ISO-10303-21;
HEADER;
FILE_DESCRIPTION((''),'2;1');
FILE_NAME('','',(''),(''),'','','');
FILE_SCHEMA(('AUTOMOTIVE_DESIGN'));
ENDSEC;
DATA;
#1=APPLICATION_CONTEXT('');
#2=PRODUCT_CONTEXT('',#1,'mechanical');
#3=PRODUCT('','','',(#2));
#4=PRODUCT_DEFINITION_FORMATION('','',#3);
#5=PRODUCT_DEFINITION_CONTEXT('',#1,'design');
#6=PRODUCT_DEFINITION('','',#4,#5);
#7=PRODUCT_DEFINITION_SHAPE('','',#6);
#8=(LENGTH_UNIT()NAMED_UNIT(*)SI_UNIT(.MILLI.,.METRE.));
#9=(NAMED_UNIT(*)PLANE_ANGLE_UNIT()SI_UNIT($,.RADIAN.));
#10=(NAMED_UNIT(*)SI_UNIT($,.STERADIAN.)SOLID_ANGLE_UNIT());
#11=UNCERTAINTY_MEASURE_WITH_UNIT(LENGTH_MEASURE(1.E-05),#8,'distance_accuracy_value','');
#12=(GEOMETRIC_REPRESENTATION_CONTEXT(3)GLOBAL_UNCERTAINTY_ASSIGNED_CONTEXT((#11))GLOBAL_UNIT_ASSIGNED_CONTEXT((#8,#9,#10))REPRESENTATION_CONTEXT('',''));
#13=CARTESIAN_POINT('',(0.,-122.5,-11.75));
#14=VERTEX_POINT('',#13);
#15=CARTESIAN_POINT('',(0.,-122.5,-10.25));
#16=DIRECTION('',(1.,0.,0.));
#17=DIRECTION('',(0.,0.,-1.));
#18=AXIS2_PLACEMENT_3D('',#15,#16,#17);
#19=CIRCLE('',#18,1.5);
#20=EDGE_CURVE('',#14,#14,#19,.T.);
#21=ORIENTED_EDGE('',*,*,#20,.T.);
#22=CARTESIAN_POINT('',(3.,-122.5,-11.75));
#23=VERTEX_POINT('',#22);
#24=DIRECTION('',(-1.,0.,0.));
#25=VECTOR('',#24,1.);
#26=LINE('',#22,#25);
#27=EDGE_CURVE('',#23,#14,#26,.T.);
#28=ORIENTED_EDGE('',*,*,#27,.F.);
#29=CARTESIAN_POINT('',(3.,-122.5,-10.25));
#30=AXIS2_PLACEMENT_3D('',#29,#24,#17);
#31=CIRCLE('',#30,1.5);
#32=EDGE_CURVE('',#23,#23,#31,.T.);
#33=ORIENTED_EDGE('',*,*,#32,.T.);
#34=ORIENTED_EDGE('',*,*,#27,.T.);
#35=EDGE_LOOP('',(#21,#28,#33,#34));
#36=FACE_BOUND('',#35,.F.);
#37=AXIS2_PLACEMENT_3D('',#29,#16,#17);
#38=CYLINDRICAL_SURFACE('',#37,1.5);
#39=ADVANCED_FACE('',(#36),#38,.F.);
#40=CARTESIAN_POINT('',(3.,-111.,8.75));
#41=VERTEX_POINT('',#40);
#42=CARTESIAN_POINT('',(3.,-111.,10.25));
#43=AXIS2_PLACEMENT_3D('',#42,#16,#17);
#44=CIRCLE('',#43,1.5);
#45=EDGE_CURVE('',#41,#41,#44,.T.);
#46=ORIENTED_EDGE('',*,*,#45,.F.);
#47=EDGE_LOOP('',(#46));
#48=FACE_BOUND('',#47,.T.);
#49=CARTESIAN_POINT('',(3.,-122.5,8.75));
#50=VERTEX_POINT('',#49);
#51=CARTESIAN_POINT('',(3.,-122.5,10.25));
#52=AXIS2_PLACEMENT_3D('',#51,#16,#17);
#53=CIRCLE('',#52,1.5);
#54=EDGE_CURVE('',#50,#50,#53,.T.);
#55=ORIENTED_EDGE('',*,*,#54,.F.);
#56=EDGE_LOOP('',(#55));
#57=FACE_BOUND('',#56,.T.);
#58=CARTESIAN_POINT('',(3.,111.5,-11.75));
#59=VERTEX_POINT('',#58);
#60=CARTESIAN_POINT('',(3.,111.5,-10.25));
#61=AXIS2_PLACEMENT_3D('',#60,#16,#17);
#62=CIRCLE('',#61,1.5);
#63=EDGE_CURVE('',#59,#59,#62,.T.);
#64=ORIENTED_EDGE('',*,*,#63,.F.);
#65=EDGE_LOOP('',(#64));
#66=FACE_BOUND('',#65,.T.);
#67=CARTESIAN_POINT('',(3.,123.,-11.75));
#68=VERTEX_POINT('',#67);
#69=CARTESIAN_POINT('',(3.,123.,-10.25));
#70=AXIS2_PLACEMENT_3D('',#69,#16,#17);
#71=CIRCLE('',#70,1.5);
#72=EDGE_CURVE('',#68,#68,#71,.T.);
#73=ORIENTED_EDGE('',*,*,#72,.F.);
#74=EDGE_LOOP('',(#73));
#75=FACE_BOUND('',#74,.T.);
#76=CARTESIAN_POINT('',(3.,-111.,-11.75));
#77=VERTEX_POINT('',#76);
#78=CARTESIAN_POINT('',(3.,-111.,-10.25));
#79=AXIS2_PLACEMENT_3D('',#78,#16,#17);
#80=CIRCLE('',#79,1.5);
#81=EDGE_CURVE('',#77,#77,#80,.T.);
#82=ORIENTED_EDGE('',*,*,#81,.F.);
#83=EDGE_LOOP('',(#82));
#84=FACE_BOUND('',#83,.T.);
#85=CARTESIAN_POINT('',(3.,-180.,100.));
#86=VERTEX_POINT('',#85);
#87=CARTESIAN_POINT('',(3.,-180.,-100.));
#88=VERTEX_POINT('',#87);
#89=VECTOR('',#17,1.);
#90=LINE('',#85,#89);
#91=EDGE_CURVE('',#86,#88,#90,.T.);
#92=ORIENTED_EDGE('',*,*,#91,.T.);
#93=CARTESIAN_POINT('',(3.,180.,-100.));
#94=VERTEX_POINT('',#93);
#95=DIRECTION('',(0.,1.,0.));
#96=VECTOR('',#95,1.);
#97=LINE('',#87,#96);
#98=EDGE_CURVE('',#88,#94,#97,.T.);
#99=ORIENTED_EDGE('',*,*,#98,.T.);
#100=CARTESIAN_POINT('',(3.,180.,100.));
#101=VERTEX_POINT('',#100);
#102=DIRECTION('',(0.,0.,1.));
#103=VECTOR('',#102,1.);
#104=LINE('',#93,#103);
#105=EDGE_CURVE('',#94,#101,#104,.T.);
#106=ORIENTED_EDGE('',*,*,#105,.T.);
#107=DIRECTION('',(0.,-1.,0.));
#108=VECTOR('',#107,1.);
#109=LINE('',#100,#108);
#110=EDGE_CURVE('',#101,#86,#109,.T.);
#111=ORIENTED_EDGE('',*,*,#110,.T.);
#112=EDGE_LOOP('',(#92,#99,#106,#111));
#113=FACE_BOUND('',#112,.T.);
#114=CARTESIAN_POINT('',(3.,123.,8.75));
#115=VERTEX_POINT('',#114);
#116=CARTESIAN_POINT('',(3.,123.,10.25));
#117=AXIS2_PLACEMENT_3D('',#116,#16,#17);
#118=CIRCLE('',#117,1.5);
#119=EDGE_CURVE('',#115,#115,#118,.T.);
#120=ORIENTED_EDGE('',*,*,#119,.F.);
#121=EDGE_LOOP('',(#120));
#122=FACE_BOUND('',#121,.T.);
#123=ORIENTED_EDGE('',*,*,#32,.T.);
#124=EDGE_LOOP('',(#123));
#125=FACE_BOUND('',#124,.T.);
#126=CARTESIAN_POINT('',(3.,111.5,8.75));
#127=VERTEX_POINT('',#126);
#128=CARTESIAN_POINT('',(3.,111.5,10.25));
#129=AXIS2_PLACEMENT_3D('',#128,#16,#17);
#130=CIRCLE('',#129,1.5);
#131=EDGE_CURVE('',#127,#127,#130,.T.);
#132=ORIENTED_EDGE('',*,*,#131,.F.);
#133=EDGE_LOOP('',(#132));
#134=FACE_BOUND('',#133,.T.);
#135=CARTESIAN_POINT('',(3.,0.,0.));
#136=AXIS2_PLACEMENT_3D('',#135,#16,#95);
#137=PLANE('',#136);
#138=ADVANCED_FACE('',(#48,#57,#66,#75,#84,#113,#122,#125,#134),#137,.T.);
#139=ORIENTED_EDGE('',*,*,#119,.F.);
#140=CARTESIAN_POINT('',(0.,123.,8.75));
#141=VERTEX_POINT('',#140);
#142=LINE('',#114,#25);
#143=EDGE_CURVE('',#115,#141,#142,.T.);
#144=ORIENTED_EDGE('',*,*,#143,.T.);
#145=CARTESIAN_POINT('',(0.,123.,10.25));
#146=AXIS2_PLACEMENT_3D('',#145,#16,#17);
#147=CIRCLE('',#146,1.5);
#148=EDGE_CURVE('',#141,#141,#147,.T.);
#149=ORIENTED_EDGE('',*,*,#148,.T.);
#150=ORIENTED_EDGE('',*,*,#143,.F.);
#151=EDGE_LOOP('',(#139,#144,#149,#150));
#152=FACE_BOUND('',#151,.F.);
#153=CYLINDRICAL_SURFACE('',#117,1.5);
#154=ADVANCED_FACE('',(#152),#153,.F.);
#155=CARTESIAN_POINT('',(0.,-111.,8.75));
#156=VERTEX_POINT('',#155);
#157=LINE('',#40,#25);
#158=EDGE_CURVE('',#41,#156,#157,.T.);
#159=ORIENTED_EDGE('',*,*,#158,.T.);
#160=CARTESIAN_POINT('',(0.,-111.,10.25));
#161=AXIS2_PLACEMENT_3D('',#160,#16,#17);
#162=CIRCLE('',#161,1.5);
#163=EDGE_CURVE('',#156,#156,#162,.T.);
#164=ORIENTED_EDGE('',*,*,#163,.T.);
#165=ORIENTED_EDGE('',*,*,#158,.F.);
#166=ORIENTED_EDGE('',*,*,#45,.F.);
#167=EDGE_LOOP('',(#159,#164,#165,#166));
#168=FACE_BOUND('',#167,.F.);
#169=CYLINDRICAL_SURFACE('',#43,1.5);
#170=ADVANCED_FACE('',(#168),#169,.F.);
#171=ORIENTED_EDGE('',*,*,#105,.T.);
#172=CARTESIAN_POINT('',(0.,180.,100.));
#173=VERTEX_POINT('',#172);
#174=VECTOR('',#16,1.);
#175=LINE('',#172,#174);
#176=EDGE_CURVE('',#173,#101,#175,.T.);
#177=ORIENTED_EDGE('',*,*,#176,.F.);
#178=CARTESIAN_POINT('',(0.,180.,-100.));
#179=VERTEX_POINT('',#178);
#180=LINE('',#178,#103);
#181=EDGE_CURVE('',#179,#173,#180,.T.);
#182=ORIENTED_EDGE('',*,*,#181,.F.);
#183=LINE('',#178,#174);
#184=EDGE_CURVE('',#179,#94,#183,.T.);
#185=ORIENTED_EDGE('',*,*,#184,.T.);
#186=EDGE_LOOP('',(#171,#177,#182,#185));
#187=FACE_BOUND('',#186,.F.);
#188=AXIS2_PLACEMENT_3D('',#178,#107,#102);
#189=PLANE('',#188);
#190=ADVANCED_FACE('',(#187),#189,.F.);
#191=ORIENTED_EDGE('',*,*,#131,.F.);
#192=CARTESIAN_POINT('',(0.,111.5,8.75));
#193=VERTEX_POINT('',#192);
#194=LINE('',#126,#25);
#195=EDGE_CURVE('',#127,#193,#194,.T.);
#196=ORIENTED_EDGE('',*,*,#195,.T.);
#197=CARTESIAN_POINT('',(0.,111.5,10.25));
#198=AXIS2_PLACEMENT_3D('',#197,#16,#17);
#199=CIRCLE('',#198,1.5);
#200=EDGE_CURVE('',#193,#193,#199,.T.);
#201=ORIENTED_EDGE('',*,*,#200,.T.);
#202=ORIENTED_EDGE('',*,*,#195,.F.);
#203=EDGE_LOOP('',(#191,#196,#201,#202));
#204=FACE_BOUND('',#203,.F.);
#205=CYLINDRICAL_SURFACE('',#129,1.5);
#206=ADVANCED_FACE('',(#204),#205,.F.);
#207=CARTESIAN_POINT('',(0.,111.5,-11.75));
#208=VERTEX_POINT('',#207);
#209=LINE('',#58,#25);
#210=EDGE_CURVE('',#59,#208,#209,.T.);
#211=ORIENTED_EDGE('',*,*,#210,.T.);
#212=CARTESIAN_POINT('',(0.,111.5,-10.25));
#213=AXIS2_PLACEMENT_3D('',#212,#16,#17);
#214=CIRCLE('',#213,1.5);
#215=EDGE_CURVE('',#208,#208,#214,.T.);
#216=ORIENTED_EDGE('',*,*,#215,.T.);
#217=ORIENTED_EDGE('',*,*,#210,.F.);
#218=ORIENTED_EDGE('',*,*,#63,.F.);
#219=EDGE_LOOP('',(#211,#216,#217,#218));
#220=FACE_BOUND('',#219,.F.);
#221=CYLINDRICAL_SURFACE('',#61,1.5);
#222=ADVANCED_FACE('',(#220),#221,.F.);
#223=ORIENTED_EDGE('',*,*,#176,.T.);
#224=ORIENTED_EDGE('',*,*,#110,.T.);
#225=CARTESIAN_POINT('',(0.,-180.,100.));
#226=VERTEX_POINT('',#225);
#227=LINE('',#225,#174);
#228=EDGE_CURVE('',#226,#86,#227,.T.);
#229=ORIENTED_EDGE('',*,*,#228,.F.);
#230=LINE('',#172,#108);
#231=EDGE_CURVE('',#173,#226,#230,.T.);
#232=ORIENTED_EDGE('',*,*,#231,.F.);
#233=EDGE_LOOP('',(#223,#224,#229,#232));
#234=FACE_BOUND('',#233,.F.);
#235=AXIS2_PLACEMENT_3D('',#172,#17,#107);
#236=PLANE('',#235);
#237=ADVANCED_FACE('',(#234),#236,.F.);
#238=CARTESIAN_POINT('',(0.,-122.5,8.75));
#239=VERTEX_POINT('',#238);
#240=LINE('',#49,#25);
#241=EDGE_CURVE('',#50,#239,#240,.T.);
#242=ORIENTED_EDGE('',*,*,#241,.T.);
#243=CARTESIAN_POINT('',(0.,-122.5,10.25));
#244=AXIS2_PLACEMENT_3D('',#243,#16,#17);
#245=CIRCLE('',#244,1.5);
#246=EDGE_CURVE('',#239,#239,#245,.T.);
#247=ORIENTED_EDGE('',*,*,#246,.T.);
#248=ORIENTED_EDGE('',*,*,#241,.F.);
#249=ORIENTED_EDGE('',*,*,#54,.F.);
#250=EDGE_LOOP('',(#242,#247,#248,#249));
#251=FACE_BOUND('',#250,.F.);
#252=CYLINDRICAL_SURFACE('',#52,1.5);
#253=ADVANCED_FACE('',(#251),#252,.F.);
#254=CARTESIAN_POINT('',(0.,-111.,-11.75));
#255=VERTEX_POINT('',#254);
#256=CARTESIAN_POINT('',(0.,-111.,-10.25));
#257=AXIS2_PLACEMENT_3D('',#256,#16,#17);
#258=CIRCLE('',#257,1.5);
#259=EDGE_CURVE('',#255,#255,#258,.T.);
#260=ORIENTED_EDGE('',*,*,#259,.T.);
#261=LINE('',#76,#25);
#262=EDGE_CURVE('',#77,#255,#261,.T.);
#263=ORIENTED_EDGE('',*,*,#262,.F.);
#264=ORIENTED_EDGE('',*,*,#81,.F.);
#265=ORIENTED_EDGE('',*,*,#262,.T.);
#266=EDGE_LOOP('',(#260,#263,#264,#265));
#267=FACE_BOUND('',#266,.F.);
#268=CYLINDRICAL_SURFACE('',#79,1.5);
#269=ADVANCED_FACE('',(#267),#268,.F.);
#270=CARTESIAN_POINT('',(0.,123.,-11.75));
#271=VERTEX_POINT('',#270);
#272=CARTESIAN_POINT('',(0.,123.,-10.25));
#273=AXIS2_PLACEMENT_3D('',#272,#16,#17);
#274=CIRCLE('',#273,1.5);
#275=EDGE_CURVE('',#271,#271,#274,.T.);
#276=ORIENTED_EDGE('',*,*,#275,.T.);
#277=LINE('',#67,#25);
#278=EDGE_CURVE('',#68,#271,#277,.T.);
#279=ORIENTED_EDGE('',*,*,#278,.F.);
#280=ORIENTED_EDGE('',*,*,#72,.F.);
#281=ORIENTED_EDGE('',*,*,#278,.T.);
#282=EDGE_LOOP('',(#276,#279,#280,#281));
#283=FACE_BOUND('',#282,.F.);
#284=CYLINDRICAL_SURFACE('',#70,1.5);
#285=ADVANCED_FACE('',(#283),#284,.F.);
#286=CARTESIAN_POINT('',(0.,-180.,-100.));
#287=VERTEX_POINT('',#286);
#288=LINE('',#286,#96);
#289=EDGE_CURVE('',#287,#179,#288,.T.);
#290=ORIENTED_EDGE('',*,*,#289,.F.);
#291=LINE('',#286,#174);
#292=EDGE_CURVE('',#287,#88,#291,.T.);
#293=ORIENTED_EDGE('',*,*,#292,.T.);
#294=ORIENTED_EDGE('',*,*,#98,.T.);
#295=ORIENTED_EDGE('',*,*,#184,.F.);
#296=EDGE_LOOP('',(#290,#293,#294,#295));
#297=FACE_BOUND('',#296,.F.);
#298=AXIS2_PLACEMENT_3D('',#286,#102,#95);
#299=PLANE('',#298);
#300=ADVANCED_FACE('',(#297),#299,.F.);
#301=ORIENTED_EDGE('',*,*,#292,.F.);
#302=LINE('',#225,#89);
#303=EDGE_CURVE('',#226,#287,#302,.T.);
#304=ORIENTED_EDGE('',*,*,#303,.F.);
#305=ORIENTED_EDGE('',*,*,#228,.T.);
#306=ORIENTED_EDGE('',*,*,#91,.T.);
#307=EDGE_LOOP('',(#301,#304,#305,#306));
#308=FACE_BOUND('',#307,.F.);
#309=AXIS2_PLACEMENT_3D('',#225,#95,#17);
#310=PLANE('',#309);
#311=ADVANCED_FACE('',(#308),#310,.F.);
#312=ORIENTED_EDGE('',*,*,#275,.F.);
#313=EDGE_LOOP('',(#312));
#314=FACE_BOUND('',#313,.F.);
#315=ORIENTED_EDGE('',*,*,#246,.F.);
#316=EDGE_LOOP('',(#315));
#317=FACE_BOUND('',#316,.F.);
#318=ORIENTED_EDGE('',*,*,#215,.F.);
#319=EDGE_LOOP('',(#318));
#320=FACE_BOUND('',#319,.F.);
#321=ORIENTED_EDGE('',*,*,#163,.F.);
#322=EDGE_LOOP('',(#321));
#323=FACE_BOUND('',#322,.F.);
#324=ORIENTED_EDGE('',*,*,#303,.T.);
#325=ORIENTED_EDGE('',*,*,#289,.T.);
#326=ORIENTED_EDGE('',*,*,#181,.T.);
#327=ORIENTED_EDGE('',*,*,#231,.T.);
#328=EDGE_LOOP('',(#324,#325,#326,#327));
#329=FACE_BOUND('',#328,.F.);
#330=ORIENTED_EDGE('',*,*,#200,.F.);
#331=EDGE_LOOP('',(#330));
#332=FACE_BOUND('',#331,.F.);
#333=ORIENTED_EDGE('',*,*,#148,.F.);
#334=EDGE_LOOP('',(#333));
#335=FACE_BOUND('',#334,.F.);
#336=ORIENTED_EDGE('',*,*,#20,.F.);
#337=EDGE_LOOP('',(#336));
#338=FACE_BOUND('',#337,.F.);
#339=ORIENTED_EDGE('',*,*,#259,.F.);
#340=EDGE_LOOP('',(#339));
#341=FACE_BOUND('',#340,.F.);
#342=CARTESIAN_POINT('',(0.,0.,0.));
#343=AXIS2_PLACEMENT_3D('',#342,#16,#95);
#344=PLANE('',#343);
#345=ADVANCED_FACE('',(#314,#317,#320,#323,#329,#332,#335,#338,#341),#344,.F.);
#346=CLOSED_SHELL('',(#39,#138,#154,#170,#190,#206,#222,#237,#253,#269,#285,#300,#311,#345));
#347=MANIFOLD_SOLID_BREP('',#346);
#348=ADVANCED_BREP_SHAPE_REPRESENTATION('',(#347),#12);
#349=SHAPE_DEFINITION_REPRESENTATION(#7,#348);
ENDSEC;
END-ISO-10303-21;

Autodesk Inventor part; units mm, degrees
ref_plane "YZ Plane" through (0, 0, 0) normal (1, 0, 0) x (0, 1, 0)
ref_plane "XZ Plane" through (0, 0, 0) normal (0, 1, 0) x (-1, 0, 0)
ref_plane "XY Plane" through (0, 0, 0) normal (0, 0, 1) x (1, 0, 0)
sketch "Sketch1" plane through (0, 0, 0) normal (1, 0, 0) x (0, 1, 0)
  line L0 (180, 100) -> (-180, 100)
  line L1 (-180, 100) -> (-180, -100)
  line L2 (-180, -100) -> (180, -100)
  line L3 (180, -100) -> (180, 100)
  line L4 (180, 100) -> (-180, -100) construction
  line L5 (-180, 100) -> (180, -100) construction
  point P0 (0, 0)
  dimension "d0" = 360
  dimension "d1" = 200
extrude "Extrusion1" add sketch "Sketch1" along normal blind 3
sketch "Sketch3" plane through (3, 0, 0) normal (1, 0, 0) x (0, 0, -1)
  circle A0 centre (-10.25, 123) radius 1.5
  circle A1 centre (-10.25, 111.5) radius 1.5
  circle A2 centre (10.25, 123) radius 1.5
  circle A3 centre (10.25, 111.5) radius 1.5
  line L0 (100, 180) -> (-100, 180) projected
  line L1 (100, -180) -> (100, 180) projected
  circle A4 centre (-10.25, -122.5) radius 1.5
  circle A5 centre (-10.25, -111) radius 1.5
  circle A6 centre (10.25, -122.5) radius 1.5
  circle A7 centre (10.25, -111) radius 1.5
  line L2 (-10.25, -122.5) -> (10.25, -122.5)
  line L3 (0, -122.5) -> (0, -180)
  line L4 (-100, -180) -> (100, -180) projected
  dimension "d11" = 3
  dimension "d12" = 3
  dimension "d13" = 3
  dimension "d14" = 3
  dimension "d15" = 11.5
  dimension "d16" = 11.5
  dimension "d21" = 20.5
  dimension "d24" = 57
  dimension "d25" = 57.5
extrude "Extrusion3" cut sketch "Sketch3" against normal blind 25
properties part number "leftside"
